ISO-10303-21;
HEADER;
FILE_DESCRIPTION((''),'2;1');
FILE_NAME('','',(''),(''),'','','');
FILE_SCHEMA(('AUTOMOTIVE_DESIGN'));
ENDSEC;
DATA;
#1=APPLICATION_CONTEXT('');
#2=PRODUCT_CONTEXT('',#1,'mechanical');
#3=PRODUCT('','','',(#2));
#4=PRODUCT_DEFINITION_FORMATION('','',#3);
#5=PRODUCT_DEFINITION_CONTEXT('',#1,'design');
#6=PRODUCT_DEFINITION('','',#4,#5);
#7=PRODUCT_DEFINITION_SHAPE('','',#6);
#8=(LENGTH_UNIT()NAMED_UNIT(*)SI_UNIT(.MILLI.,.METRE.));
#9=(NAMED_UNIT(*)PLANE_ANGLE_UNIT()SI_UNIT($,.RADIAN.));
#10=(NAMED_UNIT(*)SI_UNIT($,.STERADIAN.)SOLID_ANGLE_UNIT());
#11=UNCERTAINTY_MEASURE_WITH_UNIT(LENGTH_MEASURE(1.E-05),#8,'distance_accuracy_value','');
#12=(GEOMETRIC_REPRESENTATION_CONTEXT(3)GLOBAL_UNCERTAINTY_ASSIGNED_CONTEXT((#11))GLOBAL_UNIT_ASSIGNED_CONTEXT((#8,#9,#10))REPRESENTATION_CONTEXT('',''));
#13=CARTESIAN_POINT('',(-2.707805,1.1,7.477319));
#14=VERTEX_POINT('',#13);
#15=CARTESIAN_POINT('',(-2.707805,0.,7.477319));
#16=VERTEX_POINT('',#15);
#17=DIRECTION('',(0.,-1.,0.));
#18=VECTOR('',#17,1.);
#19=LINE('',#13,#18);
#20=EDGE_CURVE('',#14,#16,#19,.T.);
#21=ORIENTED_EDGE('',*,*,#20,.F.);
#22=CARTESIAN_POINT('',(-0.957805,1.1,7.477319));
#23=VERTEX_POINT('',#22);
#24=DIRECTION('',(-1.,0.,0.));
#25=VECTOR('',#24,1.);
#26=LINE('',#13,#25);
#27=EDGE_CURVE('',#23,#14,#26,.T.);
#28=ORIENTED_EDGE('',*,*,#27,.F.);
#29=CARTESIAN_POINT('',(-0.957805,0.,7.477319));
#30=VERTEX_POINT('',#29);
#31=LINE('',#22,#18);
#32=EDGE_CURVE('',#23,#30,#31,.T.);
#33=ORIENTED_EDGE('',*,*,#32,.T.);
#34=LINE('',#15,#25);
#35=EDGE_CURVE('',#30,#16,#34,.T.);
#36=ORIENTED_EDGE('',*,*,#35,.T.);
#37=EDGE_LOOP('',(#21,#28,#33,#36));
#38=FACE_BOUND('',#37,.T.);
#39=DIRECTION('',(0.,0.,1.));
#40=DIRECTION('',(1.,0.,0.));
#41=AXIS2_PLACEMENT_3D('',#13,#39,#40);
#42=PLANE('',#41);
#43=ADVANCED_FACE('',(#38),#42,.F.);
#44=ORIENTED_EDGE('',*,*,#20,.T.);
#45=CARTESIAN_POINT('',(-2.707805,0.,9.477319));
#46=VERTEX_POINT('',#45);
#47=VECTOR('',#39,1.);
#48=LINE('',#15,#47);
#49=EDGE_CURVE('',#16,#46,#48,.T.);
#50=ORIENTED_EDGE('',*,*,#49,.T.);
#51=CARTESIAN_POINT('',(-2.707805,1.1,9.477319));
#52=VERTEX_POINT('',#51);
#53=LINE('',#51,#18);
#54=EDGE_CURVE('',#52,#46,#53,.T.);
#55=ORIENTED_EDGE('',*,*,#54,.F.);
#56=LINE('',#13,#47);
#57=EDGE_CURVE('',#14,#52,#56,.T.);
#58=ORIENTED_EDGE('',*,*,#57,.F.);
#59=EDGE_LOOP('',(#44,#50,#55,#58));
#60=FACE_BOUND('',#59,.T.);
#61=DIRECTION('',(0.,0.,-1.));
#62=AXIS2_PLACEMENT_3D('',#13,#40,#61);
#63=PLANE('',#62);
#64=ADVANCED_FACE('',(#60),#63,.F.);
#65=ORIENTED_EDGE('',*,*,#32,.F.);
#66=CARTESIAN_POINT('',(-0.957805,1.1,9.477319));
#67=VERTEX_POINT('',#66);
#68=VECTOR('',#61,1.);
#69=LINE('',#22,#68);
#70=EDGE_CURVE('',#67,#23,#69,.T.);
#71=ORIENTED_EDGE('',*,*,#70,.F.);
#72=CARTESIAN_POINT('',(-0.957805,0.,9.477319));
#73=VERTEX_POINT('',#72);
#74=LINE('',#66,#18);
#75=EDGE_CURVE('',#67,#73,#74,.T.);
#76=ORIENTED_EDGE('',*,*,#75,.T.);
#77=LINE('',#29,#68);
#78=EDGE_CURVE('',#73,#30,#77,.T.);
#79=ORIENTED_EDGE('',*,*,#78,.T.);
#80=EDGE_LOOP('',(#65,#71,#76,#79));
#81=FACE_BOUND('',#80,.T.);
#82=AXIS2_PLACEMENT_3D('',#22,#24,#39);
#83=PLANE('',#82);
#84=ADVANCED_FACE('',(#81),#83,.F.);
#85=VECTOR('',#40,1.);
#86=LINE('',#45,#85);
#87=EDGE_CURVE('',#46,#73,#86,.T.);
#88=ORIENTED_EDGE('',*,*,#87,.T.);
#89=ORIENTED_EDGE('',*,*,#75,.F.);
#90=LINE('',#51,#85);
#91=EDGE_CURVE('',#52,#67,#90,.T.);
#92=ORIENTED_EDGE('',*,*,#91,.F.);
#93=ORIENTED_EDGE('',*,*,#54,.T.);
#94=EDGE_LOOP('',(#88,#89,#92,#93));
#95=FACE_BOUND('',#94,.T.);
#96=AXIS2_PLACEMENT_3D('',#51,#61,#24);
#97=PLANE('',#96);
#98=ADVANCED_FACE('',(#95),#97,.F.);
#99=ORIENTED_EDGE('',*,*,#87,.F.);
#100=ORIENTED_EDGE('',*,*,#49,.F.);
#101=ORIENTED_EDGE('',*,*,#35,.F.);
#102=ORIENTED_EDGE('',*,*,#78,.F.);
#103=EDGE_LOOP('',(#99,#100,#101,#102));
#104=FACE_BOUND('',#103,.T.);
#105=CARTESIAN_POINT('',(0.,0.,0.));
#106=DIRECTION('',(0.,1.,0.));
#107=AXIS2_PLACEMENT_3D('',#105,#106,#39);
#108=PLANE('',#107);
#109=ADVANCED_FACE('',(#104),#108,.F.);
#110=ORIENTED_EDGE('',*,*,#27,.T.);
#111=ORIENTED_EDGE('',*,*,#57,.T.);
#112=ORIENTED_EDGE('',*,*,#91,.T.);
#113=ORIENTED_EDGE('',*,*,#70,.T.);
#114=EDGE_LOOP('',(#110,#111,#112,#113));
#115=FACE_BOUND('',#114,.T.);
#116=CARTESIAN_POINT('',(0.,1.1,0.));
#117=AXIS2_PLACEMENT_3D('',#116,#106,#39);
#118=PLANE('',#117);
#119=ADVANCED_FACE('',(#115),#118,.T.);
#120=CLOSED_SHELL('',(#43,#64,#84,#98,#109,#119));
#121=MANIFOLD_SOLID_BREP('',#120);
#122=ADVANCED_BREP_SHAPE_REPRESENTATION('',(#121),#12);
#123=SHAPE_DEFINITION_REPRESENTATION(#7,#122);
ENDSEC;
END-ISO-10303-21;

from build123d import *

# Parameters (mm, degrees)
SCHIZZO1_W                   = 1.75
SCHIZZO1_H                   = 2
ESTRUSIONE_ESTRUSIONE1_DEPTH = 1.1


with BuildPart() as part:
    # Schizzo1 → Estrusione-Estrusione1 (new body)
    with BuildSketch(Plane(origin=(0, 0, 0), x_dir=(1, 0, 0), z_dir=(0, 1, 0))):
        with Locations((-1.832805461, -8.477319114)):
            Rectangle(SCHIZZO1_W, SCHIZZO1_H)
    extrude(amount=ESTRUSIONE_ESTRUSIONE1_DEPTH)


solid = part.part
